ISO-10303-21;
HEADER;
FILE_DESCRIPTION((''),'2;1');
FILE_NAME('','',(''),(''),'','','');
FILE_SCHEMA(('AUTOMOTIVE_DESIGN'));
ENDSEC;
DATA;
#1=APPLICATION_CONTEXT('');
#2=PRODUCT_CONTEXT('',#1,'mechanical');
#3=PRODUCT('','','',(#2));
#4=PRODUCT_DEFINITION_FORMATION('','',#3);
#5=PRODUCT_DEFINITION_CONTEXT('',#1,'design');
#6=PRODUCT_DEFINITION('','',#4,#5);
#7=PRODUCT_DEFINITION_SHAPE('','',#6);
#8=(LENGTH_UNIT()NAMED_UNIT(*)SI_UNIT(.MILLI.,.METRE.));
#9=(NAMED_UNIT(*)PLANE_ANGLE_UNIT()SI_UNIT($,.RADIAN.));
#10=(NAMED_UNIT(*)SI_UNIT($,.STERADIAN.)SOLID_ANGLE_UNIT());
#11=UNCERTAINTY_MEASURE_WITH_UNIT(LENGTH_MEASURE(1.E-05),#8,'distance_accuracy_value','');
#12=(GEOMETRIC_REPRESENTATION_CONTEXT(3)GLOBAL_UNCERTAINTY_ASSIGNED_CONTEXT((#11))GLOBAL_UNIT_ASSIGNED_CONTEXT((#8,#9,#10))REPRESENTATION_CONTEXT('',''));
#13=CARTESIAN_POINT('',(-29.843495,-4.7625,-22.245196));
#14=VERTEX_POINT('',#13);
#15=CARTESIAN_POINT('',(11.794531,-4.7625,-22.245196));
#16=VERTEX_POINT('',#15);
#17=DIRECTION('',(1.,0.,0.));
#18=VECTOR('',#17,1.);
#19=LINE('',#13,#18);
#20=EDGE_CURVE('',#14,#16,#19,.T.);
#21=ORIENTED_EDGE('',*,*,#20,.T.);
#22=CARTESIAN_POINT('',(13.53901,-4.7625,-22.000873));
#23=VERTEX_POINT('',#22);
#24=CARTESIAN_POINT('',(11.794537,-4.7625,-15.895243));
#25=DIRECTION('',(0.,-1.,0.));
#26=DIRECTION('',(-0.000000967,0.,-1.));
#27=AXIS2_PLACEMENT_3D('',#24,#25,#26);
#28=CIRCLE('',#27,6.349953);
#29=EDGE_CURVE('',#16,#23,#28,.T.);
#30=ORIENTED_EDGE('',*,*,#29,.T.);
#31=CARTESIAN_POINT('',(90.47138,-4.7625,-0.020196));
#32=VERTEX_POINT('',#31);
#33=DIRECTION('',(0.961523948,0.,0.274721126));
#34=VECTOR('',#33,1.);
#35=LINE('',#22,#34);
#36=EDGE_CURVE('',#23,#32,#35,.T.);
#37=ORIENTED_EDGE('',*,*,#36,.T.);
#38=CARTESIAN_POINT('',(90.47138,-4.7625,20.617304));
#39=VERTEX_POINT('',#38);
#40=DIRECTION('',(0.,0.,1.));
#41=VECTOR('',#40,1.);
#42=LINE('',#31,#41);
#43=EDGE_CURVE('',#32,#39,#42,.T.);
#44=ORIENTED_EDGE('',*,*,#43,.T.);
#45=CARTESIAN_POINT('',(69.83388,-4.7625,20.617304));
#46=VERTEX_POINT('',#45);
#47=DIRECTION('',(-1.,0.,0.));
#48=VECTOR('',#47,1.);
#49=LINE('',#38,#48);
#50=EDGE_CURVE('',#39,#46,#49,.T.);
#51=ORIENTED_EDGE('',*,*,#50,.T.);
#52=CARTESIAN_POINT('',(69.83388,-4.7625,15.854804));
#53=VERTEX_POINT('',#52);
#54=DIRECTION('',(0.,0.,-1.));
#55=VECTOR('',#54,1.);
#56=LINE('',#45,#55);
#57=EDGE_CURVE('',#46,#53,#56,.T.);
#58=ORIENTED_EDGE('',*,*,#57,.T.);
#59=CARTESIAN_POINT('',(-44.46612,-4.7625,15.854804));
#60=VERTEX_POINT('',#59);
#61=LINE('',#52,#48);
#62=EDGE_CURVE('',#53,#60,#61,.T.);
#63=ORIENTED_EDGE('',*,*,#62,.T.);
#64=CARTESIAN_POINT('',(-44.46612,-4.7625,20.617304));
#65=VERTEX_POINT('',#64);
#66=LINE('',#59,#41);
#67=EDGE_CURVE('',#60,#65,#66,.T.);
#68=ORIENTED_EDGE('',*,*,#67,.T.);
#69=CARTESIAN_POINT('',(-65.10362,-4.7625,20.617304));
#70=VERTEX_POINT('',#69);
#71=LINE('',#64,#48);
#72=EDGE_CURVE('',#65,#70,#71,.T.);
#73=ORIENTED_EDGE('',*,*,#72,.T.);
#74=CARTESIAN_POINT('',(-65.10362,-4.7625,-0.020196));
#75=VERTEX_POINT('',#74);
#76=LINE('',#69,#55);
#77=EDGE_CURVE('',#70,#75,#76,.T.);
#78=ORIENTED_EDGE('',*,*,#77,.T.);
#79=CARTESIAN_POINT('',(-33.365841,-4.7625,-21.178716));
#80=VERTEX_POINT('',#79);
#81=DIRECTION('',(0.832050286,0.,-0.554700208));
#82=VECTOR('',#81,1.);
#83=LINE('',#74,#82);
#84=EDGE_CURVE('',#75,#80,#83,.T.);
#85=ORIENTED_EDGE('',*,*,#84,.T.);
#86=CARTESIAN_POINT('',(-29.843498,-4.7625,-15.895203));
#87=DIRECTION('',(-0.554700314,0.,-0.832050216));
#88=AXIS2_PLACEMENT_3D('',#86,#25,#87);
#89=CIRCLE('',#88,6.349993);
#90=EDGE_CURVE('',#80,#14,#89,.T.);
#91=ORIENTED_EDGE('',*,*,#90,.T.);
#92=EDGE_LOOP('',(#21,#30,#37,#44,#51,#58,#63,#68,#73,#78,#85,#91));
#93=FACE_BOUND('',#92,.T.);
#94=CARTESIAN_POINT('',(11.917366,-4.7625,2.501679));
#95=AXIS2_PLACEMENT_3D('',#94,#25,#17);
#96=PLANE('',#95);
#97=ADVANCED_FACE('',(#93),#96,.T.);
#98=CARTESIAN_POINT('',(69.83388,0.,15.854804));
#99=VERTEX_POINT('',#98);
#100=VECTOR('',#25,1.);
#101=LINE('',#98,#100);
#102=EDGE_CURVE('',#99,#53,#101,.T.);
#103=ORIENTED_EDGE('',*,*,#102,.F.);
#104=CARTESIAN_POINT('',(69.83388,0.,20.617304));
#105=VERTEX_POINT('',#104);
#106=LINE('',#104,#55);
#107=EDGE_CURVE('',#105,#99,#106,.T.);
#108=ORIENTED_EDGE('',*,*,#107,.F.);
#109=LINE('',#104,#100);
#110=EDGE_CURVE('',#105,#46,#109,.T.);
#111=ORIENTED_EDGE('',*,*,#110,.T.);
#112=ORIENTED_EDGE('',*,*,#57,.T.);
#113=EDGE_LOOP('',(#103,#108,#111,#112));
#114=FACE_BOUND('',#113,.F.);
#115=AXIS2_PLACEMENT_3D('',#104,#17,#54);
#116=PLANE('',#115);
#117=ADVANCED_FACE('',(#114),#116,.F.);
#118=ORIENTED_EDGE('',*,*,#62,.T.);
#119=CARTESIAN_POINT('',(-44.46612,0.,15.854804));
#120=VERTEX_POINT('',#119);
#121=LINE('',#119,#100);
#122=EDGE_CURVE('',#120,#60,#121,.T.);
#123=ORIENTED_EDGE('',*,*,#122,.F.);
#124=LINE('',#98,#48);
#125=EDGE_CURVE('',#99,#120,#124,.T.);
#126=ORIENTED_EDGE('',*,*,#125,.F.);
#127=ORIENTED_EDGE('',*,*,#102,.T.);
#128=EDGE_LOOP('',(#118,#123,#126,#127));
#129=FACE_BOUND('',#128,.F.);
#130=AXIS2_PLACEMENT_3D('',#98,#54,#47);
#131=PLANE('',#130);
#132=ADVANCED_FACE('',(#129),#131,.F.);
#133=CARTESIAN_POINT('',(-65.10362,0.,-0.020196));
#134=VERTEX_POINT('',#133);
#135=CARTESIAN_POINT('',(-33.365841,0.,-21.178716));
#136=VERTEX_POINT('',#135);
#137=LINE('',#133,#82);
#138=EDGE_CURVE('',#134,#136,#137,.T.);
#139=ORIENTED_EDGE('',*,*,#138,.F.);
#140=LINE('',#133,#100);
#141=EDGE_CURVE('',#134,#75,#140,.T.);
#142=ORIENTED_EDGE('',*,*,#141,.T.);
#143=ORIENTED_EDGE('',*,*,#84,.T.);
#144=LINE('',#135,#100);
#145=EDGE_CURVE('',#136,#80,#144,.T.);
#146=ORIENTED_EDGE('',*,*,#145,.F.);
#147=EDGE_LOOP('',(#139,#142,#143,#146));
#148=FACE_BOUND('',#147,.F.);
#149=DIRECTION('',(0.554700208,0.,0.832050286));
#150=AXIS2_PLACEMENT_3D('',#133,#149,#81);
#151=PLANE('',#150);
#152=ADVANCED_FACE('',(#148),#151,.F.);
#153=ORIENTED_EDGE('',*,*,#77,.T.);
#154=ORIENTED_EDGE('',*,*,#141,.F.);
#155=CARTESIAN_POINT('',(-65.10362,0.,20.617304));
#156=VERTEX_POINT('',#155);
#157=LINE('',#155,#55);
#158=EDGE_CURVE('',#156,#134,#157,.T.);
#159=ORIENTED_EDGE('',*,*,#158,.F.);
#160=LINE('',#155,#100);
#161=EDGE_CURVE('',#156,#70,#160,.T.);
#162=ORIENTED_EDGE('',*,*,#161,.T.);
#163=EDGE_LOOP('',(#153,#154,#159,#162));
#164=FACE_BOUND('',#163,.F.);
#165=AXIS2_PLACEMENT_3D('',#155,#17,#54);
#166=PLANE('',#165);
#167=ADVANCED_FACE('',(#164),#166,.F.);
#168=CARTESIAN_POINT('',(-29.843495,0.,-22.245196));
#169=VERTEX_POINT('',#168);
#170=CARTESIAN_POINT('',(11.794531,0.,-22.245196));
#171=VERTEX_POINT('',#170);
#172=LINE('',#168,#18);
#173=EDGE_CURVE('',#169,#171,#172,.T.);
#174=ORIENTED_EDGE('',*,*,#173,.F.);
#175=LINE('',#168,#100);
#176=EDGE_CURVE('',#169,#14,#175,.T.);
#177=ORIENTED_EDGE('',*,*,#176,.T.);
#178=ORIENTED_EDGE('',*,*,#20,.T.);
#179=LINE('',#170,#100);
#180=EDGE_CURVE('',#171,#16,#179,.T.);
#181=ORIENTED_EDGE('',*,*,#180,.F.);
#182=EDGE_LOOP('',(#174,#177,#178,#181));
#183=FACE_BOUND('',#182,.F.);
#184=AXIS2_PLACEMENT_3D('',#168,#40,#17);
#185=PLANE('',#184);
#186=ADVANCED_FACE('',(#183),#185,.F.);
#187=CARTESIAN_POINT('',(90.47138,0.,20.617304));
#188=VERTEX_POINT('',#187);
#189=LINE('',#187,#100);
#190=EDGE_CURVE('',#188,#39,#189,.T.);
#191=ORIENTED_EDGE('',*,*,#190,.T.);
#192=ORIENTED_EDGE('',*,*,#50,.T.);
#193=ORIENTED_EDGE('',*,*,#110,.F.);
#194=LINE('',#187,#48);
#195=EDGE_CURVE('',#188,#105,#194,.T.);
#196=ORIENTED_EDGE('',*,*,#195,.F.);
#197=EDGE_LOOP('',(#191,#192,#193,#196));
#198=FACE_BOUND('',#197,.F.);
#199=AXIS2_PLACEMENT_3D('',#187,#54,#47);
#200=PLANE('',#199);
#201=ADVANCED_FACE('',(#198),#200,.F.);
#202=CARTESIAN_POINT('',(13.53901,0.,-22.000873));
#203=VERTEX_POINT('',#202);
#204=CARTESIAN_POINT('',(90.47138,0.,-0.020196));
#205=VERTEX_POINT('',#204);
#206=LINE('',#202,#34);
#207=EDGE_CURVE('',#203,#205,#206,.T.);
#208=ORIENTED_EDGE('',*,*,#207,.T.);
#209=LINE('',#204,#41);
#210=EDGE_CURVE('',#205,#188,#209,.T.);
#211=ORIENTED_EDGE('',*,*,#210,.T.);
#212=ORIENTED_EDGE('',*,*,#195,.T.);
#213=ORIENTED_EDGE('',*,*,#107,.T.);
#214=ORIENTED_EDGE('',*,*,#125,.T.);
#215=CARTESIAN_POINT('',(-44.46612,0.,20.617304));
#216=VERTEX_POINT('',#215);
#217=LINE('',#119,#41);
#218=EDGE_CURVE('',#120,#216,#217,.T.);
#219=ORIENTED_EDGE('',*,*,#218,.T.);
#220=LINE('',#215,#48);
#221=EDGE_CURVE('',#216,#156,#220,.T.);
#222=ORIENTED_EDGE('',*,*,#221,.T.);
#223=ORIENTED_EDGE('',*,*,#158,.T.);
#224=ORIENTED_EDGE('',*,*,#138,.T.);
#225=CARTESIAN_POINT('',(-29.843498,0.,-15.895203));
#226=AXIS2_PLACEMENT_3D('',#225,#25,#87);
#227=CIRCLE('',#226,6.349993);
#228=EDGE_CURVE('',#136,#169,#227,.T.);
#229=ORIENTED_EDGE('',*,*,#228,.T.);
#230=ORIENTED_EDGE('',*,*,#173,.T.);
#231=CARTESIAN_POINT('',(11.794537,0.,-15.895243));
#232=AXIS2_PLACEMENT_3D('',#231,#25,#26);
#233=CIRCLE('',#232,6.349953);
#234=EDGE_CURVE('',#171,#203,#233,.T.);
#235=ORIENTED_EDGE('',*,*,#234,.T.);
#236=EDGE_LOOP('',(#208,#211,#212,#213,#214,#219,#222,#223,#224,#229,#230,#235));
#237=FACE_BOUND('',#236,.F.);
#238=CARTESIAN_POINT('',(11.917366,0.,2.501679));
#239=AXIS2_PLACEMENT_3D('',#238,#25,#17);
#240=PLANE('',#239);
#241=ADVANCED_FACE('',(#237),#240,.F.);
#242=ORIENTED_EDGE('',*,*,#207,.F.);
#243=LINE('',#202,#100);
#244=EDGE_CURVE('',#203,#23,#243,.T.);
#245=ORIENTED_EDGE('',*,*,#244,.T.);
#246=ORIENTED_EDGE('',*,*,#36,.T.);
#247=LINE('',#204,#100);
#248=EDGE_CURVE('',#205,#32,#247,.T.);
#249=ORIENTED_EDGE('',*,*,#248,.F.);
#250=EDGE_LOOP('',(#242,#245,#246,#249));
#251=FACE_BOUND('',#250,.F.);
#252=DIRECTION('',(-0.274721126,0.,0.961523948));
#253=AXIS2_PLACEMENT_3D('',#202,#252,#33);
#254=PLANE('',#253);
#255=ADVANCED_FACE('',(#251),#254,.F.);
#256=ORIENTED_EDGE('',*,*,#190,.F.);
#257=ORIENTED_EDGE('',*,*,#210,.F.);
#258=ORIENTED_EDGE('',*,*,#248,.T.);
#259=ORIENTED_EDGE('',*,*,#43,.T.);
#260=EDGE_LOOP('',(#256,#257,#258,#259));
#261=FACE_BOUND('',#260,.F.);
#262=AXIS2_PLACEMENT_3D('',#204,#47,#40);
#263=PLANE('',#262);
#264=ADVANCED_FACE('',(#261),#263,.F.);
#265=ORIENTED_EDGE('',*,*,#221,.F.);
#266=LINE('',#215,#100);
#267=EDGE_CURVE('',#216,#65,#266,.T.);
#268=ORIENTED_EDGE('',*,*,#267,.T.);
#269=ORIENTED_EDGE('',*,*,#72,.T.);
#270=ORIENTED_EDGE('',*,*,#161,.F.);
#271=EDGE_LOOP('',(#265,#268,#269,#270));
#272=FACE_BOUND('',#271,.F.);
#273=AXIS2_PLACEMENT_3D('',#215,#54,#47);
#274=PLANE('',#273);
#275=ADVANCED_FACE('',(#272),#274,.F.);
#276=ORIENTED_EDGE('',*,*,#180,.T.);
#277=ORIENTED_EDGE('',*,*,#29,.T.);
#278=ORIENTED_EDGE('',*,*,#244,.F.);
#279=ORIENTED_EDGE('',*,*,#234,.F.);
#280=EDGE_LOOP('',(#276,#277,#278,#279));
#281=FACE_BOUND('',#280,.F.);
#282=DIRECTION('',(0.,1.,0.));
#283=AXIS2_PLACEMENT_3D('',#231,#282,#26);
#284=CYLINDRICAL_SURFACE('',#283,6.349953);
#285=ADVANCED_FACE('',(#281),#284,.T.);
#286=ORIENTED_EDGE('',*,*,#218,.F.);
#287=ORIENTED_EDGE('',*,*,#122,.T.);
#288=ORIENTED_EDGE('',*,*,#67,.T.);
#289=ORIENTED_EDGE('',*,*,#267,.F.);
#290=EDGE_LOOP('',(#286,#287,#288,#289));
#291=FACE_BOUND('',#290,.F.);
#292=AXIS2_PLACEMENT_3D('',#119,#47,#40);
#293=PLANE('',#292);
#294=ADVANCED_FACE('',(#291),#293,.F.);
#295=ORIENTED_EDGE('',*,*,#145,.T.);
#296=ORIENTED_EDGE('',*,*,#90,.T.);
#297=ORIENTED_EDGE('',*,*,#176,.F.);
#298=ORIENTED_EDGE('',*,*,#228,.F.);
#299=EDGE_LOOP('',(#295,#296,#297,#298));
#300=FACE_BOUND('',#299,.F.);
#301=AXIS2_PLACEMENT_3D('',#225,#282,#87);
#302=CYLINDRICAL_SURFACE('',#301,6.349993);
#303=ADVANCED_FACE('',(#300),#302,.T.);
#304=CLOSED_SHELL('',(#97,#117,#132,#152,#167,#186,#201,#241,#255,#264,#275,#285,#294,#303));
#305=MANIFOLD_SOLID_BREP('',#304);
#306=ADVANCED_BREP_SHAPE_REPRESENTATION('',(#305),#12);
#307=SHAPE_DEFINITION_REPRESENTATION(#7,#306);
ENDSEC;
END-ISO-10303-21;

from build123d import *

# Parameters (mm, degrees)
F1_DEPTH = 4.7625


with BuildPart() as f1:
    # F0 (on Front) → F1 (new body)
    with BuildSketch(Plane.XZ):
        with BuildLine():
            Line((-44.46612, 20.617304), (-65.10362, 20.617304))
            Line((-65.10362, 20.617304), (-65.10362, -0.020196))
            Line((-65.10362, -0.020196), (-33.365841, -21.178716))
            ThreePointArc((-33.365841, -21.178716), (-31.683624, -21.972731), (-29.843495, -22.245196))
            Line((-29.843495, -22.245196), (11.794531, -22.245196))
            ThreePointArc((11.794531, -22.245196), (12.675284, -22.183819), (13.53901, -22.000873))
            Line((13.53901, -22.000873), (90.47138, -0.020196))
            Line((90.47138, -0.020196), (90.47138, 20.617304))
            Line((90.47138, 20.617304), (69.83388, 20.617304))
            Line((69.83388, 20.617304), (69.83388, 15.854804))
            Line((69.83388, 15.854804), (-44.46612, 15.854804))
            Line((-44.46612, 15.854804), (-44.46612, 20.617304))
        make_face()
    extrude(amount=F1_DEPTH)


solid = f1.part
